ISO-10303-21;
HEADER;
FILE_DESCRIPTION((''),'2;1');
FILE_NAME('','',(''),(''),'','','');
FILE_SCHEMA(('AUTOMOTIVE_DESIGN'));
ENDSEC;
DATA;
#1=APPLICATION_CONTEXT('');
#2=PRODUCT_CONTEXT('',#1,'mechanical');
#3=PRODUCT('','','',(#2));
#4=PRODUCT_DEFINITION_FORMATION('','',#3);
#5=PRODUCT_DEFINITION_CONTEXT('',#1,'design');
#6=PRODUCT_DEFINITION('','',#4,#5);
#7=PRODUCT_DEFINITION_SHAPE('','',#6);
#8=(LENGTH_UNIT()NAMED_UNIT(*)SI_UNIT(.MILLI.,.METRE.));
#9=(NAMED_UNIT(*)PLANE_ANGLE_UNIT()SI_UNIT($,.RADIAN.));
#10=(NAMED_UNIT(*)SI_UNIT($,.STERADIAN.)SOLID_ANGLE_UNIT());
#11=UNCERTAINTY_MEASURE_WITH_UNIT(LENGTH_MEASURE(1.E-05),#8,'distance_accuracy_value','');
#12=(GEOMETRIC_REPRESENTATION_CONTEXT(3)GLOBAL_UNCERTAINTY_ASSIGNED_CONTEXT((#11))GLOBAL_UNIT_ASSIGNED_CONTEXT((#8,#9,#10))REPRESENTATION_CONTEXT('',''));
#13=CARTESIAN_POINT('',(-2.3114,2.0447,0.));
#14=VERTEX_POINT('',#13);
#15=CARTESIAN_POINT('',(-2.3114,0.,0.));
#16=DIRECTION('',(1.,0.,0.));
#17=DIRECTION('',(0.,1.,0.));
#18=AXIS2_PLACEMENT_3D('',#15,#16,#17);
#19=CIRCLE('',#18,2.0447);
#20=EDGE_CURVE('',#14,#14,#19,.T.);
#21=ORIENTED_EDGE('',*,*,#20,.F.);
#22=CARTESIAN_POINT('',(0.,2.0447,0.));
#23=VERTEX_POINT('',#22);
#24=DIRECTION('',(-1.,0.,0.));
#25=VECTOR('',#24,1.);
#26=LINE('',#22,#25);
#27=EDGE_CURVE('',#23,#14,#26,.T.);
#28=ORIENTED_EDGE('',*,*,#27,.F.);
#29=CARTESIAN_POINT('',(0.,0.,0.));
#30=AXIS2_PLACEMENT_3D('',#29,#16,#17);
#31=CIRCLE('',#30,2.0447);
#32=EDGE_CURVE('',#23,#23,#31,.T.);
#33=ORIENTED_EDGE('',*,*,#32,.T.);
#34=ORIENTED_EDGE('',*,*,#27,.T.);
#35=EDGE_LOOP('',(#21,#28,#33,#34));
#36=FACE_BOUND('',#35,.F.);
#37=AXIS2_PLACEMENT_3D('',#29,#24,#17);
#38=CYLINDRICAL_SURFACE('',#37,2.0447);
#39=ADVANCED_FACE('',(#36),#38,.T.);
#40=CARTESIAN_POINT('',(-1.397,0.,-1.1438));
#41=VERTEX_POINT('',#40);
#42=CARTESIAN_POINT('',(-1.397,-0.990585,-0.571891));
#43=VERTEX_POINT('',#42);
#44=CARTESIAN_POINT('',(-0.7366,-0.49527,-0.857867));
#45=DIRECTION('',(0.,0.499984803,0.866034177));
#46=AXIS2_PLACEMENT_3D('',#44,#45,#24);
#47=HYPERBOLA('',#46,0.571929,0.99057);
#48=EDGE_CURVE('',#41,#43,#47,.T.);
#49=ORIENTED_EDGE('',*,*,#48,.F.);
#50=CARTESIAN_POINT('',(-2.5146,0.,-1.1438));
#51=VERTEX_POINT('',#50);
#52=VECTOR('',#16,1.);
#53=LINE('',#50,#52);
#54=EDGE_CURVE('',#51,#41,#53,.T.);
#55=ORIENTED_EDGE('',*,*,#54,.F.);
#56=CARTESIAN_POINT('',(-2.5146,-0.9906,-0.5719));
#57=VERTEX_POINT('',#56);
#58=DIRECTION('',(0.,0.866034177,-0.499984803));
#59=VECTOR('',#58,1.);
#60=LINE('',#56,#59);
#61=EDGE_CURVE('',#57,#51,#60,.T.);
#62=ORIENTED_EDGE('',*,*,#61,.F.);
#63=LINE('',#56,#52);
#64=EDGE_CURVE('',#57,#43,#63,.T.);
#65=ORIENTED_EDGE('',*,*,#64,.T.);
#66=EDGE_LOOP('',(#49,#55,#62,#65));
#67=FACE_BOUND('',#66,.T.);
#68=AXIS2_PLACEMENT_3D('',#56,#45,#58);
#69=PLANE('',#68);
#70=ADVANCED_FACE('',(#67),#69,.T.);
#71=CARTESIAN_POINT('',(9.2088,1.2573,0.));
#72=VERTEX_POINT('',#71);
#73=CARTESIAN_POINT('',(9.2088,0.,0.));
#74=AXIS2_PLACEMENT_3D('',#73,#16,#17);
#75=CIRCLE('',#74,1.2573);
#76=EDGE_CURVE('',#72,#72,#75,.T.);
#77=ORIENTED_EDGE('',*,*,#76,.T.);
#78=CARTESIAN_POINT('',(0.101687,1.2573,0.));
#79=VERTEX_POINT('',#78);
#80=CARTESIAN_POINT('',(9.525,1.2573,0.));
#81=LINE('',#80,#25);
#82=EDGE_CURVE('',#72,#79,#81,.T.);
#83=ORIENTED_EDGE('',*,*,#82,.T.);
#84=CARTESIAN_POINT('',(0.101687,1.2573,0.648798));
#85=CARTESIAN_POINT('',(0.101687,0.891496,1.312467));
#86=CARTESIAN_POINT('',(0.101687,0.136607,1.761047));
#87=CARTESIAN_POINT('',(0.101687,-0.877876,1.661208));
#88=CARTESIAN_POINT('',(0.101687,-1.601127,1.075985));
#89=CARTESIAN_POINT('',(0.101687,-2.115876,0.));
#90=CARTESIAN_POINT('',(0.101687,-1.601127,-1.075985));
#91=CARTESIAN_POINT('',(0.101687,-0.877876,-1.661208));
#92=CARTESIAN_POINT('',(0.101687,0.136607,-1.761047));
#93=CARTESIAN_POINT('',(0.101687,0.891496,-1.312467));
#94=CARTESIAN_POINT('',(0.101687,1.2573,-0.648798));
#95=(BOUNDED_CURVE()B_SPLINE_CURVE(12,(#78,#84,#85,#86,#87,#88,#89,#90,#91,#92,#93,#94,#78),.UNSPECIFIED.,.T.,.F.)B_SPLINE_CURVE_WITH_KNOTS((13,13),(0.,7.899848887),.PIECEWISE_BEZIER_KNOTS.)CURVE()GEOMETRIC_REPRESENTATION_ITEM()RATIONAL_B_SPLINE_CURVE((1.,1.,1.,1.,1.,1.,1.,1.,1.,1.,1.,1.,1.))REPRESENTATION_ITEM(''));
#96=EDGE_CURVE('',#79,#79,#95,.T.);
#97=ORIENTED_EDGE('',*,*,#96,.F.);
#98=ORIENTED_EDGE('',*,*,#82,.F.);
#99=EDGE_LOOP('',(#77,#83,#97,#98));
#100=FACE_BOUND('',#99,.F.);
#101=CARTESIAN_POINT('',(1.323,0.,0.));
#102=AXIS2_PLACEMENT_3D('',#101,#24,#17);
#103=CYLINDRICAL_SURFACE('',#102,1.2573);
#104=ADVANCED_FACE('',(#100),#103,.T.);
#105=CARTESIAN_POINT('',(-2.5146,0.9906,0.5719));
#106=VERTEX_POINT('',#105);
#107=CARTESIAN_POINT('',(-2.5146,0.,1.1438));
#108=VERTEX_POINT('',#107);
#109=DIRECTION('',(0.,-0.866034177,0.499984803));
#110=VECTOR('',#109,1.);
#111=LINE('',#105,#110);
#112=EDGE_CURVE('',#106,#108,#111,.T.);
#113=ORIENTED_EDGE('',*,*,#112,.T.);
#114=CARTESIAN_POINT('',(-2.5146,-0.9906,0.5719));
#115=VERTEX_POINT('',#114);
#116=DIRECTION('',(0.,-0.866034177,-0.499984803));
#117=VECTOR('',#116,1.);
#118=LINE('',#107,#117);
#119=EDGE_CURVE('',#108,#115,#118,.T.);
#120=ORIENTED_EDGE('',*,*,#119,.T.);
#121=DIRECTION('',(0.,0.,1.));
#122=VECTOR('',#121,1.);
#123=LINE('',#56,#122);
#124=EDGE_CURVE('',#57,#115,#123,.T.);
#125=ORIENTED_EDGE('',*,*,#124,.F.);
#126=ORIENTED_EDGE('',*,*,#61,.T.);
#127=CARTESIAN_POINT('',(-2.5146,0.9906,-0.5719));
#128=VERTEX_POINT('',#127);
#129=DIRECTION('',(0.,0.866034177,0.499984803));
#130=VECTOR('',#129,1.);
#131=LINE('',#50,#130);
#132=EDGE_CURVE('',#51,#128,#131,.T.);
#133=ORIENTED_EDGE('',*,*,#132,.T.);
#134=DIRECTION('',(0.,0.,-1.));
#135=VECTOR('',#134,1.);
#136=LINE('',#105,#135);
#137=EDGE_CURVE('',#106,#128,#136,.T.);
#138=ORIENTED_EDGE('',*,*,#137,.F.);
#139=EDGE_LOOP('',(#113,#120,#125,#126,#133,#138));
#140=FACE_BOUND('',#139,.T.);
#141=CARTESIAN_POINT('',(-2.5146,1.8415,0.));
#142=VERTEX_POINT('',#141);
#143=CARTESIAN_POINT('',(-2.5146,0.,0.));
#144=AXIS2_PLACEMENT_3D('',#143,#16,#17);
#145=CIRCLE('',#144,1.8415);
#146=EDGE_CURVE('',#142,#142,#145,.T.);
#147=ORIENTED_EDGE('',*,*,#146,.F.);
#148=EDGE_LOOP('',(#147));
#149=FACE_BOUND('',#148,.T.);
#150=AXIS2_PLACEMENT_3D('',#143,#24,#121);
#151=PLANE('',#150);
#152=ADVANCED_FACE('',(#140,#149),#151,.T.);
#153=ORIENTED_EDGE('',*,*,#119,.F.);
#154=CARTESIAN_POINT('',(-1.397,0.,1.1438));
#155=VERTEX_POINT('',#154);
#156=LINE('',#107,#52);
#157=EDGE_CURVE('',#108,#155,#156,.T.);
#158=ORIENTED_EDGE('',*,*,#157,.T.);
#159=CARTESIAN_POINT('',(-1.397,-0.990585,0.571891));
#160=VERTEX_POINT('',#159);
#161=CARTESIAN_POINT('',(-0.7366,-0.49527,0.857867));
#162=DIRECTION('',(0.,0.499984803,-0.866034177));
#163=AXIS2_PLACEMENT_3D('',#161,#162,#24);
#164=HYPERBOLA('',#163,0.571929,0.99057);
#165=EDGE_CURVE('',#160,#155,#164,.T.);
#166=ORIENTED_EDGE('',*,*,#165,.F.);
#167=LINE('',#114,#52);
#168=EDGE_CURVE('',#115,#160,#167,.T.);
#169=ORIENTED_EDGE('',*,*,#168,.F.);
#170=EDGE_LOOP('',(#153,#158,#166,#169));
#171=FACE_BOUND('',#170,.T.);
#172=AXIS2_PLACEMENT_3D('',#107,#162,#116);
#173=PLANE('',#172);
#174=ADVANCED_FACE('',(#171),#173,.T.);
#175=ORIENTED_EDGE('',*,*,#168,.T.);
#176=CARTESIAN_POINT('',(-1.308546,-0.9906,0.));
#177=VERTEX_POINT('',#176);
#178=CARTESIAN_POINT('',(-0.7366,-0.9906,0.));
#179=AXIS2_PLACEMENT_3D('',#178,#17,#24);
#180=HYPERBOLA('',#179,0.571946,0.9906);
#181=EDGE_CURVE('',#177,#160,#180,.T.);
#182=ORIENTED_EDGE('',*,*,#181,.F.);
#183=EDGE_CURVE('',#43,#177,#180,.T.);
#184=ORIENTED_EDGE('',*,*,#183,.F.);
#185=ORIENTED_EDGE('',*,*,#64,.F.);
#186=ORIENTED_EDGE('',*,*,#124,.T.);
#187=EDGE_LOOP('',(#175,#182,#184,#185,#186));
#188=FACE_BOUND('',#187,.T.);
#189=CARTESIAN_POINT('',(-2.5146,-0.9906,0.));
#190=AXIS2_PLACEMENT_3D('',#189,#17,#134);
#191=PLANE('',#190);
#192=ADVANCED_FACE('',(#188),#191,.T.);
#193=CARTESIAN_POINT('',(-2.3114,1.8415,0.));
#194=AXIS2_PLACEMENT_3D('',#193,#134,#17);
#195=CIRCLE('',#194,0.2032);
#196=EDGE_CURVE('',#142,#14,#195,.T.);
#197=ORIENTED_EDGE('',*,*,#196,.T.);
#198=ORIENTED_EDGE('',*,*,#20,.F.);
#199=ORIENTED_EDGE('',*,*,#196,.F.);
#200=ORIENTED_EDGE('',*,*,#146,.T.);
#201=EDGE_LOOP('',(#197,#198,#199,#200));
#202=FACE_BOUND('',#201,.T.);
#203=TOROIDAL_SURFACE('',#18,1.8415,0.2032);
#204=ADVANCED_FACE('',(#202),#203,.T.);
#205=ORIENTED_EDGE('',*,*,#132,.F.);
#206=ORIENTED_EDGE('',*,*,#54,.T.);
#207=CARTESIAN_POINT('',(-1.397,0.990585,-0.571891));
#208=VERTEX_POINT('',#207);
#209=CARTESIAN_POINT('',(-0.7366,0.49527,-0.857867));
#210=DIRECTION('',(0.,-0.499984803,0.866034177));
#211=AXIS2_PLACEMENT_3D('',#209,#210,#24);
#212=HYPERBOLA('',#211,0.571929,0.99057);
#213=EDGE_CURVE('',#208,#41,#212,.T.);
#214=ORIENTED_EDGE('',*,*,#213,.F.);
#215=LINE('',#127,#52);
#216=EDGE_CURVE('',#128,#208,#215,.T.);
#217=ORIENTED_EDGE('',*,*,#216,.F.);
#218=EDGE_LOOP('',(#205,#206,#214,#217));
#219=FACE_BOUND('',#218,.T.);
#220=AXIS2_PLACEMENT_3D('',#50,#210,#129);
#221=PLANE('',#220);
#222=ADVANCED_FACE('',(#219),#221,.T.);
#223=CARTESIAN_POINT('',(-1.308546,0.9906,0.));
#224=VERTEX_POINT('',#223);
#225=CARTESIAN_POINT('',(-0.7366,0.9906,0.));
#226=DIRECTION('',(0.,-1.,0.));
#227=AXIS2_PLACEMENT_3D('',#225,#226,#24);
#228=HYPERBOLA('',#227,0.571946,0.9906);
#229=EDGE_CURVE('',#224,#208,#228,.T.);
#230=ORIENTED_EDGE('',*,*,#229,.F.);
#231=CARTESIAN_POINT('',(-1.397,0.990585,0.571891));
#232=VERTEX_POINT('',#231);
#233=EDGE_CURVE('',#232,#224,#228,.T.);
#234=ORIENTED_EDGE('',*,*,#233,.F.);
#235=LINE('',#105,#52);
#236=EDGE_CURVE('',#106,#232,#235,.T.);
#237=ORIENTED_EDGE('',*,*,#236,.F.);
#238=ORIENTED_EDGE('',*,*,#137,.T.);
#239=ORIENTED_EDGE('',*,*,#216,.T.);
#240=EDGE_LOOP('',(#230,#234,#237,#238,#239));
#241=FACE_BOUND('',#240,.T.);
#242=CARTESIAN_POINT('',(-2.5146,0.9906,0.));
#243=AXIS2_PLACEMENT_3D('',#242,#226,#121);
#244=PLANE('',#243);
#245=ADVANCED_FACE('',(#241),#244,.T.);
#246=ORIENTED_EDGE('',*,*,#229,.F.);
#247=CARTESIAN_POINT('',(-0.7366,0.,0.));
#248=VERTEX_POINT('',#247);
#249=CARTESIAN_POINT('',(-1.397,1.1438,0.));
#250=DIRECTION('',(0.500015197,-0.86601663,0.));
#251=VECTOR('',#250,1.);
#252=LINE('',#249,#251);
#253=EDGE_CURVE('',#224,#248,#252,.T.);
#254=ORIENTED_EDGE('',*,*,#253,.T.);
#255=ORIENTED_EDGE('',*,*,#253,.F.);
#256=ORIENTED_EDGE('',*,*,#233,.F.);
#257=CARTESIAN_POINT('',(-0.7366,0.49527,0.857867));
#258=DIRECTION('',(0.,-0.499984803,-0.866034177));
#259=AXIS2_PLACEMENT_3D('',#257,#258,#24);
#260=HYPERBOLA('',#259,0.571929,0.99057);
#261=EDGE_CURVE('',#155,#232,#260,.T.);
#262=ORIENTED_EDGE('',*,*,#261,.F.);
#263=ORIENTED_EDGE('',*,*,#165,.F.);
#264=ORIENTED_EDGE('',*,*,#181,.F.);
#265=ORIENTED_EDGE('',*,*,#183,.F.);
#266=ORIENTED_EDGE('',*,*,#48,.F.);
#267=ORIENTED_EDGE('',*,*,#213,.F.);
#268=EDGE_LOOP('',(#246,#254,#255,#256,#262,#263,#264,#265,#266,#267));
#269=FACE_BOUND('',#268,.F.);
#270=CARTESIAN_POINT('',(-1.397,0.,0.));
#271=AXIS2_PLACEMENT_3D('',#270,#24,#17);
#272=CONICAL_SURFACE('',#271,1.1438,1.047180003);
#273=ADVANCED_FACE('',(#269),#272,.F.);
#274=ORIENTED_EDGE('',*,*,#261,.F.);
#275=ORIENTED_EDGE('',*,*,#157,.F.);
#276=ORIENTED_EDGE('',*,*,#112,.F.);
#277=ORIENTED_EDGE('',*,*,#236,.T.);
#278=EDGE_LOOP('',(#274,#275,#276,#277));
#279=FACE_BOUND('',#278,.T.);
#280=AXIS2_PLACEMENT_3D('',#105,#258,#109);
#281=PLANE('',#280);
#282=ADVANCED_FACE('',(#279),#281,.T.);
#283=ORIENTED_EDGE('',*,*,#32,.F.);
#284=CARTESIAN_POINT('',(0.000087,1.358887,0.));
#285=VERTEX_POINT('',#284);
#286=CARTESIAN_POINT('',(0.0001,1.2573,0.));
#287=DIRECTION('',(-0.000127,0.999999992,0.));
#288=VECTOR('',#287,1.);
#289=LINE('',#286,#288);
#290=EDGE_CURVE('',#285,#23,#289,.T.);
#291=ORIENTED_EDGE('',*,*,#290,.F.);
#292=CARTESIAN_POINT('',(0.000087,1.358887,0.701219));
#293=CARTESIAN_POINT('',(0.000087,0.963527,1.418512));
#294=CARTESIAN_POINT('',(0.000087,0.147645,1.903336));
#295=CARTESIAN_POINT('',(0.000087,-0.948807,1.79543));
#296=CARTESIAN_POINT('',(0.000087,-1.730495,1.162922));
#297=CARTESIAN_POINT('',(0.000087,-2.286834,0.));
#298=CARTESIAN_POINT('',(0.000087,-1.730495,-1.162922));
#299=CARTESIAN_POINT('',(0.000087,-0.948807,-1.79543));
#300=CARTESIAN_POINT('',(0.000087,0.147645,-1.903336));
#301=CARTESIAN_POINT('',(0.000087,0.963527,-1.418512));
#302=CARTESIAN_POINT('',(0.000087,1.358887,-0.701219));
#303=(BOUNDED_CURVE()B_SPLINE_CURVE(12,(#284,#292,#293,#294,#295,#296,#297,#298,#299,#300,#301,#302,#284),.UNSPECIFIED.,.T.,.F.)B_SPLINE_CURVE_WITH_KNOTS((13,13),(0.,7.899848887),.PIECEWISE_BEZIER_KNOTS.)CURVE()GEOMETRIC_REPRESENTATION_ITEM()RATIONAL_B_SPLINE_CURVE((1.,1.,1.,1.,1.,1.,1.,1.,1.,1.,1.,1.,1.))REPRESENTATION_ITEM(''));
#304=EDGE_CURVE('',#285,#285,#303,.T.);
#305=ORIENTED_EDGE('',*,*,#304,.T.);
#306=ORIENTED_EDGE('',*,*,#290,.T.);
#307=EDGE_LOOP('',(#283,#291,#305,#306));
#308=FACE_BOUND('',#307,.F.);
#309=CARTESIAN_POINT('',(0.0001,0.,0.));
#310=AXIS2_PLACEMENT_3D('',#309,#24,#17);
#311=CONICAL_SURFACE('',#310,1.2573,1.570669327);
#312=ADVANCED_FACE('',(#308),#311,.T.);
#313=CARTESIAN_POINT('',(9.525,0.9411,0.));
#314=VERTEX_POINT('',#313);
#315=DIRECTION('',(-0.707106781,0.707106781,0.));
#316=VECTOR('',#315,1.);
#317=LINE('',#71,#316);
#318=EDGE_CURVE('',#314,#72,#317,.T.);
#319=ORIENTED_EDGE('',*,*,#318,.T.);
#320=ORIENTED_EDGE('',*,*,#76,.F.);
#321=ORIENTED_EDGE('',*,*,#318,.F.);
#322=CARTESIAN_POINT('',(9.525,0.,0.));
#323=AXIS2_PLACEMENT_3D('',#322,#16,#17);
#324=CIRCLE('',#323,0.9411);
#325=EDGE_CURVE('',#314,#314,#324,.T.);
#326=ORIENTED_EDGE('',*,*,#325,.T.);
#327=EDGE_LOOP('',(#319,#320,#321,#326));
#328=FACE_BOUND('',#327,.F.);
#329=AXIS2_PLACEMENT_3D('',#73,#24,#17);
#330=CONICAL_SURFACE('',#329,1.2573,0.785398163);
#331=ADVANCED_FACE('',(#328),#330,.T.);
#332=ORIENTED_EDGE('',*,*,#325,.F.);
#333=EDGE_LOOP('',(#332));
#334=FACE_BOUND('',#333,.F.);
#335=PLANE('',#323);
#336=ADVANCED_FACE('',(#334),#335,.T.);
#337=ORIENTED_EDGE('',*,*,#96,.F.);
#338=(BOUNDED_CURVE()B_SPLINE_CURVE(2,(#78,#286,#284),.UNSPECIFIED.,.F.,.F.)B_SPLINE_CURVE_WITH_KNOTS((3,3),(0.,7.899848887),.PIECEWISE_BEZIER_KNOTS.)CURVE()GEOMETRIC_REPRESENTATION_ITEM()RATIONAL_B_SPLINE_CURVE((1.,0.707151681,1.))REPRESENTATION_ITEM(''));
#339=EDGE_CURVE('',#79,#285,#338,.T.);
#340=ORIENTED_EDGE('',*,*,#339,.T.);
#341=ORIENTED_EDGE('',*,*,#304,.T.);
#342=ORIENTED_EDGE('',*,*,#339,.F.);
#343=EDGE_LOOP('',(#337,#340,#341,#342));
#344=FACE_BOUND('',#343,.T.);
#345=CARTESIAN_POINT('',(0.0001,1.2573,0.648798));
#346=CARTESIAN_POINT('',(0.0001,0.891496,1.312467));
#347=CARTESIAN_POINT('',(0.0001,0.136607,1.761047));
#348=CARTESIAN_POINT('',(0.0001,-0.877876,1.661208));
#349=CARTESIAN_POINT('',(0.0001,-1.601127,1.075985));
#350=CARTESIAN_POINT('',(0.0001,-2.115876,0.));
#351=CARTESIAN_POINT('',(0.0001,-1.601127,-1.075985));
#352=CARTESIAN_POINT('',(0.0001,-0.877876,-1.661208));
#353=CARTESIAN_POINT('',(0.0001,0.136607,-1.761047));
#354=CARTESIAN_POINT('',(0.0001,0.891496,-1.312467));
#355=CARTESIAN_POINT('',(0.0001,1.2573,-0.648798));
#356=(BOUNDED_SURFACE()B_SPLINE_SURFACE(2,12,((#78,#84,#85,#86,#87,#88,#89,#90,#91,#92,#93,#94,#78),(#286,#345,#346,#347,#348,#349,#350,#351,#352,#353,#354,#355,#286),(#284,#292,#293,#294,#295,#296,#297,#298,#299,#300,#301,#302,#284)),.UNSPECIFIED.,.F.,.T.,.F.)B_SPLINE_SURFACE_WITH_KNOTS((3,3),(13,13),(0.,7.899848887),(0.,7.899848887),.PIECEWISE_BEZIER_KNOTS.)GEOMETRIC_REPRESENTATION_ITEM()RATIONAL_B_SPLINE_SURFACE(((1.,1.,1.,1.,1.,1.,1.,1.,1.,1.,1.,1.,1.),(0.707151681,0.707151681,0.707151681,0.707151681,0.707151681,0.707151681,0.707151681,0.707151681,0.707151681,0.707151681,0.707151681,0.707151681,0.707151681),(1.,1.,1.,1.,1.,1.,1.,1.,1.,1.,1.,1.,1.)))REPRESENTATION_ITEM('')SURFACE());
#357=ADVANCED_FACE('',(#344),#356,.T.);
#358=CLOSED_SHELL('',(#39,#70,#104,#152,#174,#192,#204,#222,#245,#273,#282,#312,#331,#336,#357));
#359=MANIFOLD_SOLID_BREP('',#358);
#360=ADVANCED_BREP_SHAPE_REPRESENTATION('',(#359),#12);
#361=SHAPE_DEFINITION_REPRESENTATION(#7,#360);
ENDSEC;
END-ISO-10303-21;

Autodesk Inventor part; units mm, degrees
ref_plane "YZ Plane" through (0, 0, 0) normal (1, 0, 0) x (0, 1, 0)
ref_plane "XZ Plane" through (0, 0, 0) normal (0, 1, 0) x (-1, 0, 0)
sketch "Sketch1" plane through (0, 0, 0) normal (0, 0, 1) x (1, 0, 0)
  line L0 (-0.7366, 0) -> (9.525, 0)
  line L1 (9.525, 0) -> (9.525, 1.2573)
  line L2 (9.525, 1.2573) -> (1.323, 1.2573)
  line L3 (1.323, 1.2573) -> (0.0001, 1.2573)
  line L4 (0.0001, 1.2573) -> (0, 1.2573)
  line L5 (0, 1.2573) -> (0, 2.0447)
  line L6 (0, 2.0447) -> (-2.5146, 2.0447)
  line L7 (-2.5146, 2.0447) -> (-2.5146, 1.1438)
  line L8 (-2.5146, 1.1438) -> (-1.397, 1.1438)
  line L9 (-1.397, 1.1438) -> (-0.7366, 0)
  line L10 (-4.9225, 0) -> (11.9329, 0) projected
  line L11 (0, -0.4089) -> (0, 2.4536) projected
  line L12 (1.323, 1.2573) -> (0, 1.2573) construction
  dimension "d1" = 8.202
  dimension "d2" = 1.3229
  dimension "d3" = 2.5146
  dimension "d4" = 1.1176
  dimension "d5" = 60
  dimension "d6" = 2.5146
  dimension "d7" = 2.5146
  dimension "d8" = 2.2877
  dimension "d9" = 4.0894
  dimension "d26" = 9.525
revolve "Body" add sketch "Sketch1" angle 360 about axis through (-0.7366, 0, 0) along (1, 0, 0)
sketch "Sketch2" plane through (-2.5146, 0, 0) normal (-1, 0, 0) x (0, 0, 1)
  circle A0 centre (0, 0) radius 1.1438 projected
  line L0 (0, -2.8626) -> (0, 2.8626) projected
  line L1 (-2.8626, 0) -> (2.8626, 0) projected
  line L2 (1.1438, 0) -> (0.5719, -0.9906)
  line L3 (0.5719, -0.9906) -> (-0.5719, -0.9906)
  line L4 (-0.5719, -0.9906) -> (-1.1438, 0)
  line L5 (-1.1438, 0) -> (-0.5719, 0.9906)
  line L6 (-0.5719, 0.9906) -> (0.5719, 0.9906)
  line L7 (0.5719, 0.9906) -> (1.1438, 0)
  point P0 (0, 0)
extrude "Slot" add sketch "Sketch2" against normal up to next contours L7 A0 | A0 L2 | L6 L0 A0 | A0 L0 L3 | L0 L6 A0 | A0 L3 L0 | L4 A0 | A0 L5
fillet "Fillet1" radius 0.2032 1 edges at (-2.5146, -2.0447, 0)
thread "Thread" size "3-48 UNC" class "2A" standard "ANSI Unified Screw Threads" length 8.202
chamfer "Chamfer1" distance 0.3162 distance2 0.3162 1 edges at (9.525, -1.2573, 0) measured on face at (9.525, 0.2955, 0.1278)
ref_plane "Work Plane1" through (29, 0, 0) normal (0, -1, 0) x (1, 0, 0)
fillet "Fillet2" radius 0.1016 1 edges at (0.0001, -1.2573, 0)
equation "\"d1\" = GEL"
equation "\"d3\" = KOH"
equation "\"d4\" = INTI"
equation "\"d6\" = GD"
equation "\"d7\" = BDM"
equation "\"d8\" = 1.1547 * SW"
equation "\"d9\" = KOD"
equation "\"d26\" = NLG"
equation "\"d30\" = R"
equation "\"d17\" = RR"
equation "\"d13\" = GEL"
equation "\"d15\" = -0.5 * SPD + 0.5 * GD"
equation "\"d16\" = GUL"
equation "\"GD\" = 2.5146"
equation "\"NLG\" = 9.525"
equation "\"GEL\" = 8.20197"
equation "\"KOD\" = 4.0894"
equation "\"KOH\" = 2.5146"
equation "\"INTI\" = 1.1176"
equation "\"GAL\" = 1.32283"
equation "\"GUL\" = 0.31623"
equation "\"BDM\" = 2.5146"
equation "\"SW\" = 1.9812"
equation "\"RR\" = 0.2032"
equation "\"SPD\" = 1.88214"
equation "\"R\" = 0.1016"
equation "\"PHH\" = 0.0762"
equation "\"GD1\" = SPD"
equation "\"THREADDIA\" = 2.5146"
equation "\"FAWI\" = 45deg"
equation "\"KOH1\" = 2.2606"
equation "\"NND\" = 2.5146"
equation "\"TOA\" = 30deg"
equation "\"E0\" = 1.155 * SW"
properties part number "ANSI B18.3 - No. 3 - 48 UNC - 3/8 HS HCS"
